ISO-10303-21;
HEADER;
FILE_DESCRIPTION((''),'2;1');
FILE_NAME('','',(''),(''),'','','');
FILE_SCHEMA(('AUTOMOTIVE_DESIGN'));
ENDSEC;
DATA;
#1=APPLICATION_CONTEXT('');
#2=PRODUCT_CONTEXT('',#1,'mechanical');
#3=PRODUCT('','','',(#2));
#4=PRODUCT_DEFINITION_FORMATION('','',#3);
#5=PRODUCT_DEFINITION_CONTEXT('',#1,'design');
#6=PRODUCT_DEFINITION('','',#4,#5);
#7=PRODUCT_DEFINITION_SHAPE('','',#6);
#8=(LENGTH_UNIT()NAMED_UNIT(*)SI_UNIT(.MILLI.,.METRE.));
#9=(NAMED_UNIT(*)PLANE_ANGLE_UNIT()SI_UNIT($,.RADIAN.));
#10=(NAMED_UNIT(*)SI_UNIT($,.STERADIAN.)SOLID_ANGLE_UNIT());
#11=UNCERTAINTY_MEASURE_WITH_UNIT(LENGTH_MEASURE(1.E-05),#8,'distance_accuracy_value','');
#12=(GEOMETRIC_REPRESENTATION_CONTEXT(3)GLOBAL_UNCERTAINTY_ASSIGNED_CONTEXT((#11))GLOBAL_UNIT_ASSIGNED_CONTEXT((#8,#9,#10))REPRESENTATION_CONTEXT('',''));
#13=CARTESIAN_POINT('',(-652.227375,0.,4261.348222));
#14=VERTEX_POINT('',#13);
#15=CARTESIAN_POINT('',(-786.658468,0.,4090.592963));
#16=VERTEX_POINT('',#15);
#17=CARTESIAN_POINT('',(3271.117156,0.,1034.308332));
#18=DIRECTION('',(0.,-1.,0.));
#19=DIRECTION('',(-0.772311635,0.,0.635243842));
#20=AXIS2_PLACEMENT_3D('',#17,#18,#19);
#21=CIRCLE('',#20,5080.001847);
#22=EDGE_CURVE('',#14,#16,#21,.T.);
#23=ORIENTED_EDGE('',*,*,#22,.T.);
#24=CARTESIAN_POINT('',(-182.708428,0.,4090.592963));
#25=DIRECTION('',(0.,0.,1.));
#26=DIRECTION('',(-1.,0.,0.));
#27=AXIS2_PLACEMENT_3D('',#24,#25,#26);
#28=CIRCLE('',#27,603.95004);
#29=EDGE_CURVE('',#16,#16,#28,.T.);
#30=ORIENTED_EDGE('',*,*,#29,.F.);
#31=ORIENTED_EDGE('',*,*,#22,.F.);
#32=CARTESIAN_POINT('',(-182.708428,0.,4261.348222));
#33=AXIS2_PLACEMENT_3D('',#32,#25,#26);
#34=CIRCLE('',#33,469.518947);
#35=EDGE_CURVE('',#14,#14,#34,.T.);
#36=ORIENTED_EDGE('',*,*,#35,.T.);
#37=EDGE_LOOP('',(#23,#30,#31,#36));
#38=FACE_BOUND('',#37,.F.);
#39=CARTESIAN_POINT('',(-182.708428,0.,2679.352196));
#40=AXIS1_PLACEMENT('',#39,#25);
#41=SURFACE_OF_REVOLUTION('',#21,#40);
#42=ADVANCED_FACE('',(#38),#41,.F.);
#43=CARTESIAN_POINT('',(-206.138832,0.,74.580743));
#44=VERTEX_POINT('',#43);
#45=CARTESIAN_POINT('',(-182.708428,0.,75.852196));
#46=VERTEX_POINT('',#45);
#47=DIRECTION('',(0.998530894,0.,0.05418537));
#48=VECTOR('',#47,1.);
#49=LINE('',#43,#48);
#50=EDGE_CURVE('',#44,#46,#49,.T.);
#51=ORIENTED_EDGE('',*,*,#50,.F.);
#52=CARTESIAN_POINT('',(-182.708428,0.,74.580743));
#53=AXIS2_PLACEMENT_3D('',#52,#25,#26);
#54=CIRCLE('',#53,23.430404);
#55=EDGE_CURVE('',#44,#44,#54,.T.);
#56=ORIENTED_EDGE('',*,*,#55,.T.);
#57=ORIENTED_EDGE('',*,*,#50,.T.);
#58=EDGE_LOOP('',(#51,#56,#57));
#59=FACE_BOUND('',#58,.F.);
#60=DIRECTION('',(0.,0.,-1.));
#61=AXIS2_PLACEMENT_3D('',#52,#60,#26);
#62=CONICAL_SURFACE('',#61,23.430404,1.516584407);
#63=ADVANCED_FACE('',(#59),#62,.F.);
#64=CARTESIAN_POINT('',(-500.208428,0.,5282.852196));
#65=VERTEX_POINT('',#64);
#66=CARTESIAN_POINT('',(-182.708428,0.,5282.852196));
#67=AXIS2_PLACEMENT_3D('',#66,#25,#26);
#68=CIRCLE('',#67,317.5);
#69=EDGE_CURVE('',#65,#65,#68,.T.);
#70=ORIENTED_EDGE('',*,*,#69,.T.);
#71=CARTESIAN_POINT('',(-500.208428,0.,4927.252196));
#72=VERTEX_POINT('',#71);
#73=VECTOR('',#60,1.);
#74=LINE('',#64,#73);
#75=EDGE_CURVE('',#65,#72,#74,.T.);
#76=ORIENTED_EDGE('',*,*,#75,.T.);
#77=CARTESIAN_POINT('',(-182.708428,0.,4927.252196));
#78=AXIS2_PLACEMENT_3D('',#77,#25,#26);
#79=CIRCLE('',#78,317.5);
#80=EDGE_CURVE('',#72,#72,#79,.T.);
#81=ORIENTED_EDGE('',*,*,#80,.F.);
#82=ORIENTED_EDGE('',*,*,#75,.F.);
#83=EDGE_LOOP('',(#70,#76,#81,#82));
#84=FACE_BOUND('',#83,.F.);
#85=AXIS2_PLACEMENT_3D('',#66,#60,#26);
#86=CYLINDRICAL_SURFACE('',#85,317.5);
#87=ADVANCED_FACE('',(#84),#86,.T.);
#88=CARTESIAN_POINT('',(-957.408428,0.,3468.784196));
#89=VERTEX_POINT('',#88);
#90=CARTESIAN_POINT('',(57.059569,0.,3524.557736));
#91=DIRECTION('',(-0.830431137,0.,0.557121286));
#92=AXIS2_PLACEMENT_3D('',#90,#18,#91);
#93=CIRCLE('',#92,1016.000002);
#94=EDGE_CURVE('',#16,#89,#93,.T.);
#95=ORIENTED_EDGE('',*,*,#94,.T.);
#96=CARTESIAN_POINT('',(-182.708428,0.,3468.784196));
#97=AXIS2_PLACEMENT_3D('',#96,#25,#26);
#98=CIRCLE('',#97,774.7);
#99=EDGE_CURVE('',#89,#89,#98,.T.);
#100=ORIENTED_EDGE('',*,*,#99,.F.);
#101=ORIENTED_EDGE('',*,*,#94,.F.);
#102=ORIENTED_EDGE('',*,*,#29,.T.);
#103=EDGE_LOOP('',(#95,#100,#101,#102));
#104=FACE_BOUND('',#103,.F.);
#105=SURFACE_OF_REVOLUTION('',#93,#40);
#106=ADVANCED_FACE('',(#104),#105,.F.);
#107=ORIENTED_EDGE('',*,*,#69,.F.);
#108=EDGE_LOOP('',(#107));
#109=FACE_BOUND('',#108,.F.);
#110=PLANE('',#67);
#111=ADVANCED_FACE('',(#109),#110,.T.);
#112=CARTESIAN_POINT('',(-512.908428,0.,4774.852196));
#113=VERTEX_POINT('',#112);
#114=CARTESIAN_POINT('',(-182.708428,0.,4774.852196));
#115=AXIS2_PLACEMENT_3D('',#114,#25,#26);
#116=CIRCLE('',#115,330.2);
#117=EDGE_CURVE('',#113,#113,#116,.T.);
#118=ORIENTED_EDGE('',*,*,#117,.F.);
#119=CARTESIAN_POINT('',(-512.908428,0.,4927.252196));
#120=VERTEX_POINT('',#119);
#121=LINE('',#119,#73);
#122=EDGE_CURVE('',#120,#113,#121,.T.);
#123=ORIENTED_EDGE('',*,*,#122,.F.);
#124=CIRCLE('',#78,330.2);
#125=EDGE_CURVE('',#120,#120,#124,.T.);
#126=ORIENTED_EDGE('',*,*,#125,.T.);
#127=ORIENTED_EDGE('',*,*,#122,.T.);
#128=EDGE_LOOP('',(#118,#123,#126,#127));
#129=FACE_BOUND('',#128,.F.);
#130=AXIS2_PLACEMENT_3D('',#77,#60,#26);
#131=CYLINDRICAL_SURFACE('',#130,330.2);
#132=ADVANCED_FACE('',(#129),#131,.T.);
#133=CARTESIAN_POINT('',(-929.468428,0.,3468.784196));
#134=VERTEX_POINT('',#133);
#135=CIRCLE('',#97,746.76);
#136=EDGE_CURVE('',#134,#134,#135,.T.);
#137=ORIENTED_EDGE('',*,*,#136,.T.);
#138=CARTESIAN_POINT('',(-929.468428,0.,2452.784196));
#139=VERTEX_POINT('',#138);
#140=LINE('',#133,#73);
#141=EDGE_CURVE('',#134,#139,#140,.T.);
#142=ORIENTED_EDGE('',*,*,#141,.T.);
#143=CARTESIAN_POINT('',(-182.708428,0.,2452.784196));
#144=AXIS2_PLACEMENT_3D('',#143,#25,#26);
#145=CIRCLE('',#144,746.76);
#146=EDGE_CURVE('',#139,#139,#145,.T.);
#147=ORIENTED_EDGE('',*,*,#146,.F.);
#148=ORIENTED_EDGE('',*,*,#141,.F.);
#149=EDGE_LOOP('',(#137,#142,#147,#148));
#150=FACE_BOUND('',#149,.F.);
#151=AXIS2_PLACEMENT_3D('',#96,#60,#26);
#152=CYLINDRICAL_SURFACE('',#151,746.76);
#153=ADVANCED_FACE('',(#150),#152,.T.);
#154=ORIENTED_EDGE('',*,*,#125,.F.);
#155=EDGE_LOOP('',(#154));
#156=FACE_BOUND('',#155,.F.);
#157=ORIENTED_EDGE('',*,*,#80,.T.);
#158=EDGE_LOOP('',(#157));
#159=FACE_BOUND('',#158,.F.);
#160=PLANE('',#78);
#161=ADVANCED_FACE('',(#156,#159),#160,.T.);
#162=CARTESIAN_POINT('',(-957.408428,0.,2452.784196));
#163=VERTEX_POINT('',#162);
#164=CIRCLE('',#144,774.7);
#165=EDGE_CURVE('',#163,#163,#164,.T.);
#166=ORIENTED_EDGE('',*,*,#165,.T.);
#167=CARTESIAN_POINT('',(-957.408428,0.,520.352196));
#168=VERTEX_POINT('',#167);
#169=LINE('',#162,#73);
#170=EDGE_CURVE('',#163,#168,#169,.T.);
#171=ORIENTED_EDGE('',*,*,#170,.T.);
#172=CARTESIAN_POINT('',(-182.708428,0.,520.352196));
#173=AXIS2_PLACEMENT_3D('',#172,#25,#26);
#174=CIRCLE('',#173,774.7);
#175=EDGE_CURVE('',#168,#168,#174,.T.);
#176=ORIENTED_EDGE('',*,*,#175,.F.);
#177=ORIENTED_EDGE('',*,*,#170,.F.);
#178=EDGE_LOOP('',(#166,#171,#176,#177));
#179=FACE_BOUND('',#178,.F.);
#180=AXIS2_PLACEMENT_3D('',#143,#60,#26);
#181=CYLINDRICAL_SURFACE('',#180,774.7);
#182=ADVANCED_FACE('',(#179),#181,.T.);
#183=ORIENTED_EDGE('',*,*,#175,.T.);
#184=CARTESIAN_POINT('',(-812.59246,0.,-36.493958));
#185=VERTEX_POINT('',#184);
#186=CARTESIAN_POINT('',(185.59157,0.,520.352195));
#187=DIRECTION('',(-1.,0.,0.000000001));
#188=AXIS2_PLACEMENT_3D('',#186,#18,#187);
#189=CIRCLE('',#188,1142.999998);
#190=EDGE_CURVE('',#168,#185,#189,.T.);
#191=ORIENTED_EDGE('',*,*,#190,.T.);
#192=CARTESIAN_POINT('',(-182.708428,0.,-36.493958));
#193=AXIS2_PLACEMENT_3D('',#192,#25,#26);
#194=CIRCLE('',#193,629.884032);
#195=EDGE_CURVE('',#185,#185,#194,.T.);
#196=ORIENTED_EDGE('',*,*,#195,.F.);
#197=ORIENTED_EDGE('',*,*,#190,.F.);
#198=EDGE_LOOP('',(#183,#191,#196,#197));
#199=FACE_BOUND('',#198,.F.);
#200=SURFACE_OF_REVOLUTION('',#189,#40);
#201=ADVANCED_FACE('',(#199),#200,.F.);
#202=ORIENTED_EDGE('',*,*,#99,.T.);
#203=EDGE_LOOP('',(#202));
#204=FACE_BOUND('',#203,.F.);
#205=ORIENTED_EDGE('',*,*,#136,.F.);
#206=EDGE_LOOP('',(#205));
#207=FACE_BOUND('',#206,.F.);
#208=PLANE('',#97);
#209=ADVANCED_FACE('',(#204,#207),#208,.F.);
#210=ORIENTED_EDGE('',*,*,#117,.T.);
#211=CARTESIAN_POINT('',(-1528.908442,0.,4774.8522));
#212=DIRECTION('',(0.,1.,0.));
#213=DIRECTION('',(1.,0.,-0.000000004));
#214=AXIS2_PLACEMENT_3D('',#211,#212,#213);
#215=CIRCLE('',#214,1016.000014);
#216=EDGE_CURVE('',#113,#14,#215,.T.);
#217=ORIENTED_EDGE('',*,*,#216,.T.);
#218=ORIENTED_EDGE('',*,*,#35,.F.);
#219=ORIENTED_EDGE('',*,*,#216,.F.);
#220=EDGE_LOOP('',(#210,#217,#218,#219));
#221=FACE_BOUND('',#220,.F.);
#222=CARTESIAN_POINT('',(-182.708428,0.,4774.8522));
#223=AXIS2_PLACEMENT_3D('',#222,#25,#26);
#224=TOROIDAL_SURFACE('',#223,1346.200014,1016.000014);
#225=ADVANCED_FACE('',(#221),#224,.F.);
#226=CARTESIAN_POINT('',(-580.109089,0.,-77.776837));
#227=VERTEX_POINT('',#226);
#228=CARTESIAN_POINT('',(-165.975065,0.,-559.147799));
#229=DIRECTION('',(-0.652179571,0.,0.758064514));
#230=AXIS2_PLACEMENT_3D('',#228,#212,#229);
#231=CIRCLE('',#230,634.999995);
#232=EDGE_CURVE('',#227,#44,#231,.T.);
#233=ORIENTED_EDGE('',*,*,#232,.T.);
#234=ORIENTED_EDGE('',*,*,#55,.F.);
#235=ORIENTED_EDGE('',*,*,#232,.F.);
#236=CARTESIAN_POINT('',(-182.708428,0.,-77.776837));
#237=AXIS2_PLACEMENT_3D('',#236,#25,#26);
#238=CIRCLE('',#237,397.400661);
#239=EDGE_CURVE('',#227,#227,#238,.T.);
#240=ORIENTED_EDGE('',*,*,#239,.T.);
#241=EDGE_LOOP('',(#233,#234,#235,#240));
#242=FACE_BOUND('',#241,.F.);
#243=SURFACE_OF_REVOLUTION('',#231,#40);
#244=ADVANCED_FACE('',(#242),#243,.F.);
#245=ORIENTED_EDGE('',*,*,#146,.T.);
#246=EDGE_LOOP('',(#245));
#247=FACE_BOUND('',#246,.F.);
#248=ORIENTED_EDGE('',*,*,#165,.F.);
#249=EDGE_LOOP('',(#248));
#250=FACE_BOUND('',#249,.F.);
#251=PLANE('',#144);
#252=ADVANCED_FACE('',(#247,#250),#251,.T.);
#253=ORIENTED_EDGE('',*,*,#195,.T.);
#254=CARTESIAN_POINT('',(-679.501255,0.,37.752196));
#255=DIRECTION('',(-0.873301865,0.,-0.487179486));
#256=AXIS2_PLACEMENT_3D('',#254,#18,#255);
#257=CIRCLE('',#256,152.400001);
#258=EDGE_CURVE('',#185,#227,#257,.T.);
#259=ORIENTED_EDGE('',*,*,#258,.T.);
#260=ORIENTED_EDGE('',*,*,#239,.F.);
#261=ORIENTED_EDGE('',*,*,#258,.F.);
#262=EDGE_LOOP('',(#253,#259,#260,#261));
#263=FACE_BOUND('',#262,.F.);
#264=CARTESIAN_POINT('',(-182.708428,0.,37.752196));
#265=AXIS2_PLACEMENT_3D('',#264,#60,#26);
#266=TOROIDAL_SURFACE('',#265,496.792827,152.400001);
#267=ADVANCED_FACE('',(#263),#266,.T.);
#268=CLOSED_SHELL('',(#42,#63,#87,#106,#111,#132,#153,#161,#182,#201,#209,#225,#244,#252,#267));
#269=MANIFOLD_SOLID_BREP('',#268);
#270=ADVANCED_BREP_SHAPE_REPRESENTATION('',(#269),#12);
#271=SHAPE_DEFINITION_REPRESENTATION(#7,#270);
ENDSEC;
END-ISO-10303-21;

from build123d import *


with BuildPart() as f1:
    # F0 (on Front) → F1 (revolve)
    with BuildSketch(Plane.XZ):
        with BuildLine():
            Line((-182.708428, 75.852196), (-182.708428, 5282.852196))
            Line((-182.708428, 5282.852196), (-500.208428, 5282.852196))
            Line((-500.208428, 5282.852196), (-500.208428, 4927.252196))
            Line((-500.208428, 4927.252196), (-512.908428, 4927.252196))
            Line((-512.908428, 4927.252196), (-512.908428, 4774.852196))
            ThreePointArc((-512.908428, 4774.852196), (-548.356556, 4508.818316), (-652.227375, 4261.348222))
            ThreePointArc((-652.227375, 4261.348222), (-720.35614, 4176.689545), (-786.658468, 4090.592963))
            ThreePointArc((-786.658468, 4090.592963), (-922.672726, 3793.594229), (-957.408428, 3468.784196))
            Line((-957.408428, 3468.784196), (-929.468428, 3468.784196))
            Line((-929.468428, 3468.784196), (-929.468428, 2452.784196))
            Line((-929.468428, 2452.784196), (-957.408428, 2452.784196))
            Line((-957.408428, 2452.784196), (-957.408428, 520.352196))
            ThreePointArc((-957.408428, 520.352196), (-920.61215, 232.667775), (-812.59246, -36.493958))
            ThreePointArc((-812.59246, -36.493958), (-706.146617, -112.300411), (-580.109089, -77.776837))
            ThreePointArc((-580.109089, -77.776837), (-405.557679, 28.921214), (-206.138832, 74.580743))
            Line((-206.138832, 74.580743), (-182.708428, 75.852196))
        make_face()
    revolve(axis=Axis((-182.708428, 0, 2679.352196), (0, 0, 1)))


solid = f1.part
